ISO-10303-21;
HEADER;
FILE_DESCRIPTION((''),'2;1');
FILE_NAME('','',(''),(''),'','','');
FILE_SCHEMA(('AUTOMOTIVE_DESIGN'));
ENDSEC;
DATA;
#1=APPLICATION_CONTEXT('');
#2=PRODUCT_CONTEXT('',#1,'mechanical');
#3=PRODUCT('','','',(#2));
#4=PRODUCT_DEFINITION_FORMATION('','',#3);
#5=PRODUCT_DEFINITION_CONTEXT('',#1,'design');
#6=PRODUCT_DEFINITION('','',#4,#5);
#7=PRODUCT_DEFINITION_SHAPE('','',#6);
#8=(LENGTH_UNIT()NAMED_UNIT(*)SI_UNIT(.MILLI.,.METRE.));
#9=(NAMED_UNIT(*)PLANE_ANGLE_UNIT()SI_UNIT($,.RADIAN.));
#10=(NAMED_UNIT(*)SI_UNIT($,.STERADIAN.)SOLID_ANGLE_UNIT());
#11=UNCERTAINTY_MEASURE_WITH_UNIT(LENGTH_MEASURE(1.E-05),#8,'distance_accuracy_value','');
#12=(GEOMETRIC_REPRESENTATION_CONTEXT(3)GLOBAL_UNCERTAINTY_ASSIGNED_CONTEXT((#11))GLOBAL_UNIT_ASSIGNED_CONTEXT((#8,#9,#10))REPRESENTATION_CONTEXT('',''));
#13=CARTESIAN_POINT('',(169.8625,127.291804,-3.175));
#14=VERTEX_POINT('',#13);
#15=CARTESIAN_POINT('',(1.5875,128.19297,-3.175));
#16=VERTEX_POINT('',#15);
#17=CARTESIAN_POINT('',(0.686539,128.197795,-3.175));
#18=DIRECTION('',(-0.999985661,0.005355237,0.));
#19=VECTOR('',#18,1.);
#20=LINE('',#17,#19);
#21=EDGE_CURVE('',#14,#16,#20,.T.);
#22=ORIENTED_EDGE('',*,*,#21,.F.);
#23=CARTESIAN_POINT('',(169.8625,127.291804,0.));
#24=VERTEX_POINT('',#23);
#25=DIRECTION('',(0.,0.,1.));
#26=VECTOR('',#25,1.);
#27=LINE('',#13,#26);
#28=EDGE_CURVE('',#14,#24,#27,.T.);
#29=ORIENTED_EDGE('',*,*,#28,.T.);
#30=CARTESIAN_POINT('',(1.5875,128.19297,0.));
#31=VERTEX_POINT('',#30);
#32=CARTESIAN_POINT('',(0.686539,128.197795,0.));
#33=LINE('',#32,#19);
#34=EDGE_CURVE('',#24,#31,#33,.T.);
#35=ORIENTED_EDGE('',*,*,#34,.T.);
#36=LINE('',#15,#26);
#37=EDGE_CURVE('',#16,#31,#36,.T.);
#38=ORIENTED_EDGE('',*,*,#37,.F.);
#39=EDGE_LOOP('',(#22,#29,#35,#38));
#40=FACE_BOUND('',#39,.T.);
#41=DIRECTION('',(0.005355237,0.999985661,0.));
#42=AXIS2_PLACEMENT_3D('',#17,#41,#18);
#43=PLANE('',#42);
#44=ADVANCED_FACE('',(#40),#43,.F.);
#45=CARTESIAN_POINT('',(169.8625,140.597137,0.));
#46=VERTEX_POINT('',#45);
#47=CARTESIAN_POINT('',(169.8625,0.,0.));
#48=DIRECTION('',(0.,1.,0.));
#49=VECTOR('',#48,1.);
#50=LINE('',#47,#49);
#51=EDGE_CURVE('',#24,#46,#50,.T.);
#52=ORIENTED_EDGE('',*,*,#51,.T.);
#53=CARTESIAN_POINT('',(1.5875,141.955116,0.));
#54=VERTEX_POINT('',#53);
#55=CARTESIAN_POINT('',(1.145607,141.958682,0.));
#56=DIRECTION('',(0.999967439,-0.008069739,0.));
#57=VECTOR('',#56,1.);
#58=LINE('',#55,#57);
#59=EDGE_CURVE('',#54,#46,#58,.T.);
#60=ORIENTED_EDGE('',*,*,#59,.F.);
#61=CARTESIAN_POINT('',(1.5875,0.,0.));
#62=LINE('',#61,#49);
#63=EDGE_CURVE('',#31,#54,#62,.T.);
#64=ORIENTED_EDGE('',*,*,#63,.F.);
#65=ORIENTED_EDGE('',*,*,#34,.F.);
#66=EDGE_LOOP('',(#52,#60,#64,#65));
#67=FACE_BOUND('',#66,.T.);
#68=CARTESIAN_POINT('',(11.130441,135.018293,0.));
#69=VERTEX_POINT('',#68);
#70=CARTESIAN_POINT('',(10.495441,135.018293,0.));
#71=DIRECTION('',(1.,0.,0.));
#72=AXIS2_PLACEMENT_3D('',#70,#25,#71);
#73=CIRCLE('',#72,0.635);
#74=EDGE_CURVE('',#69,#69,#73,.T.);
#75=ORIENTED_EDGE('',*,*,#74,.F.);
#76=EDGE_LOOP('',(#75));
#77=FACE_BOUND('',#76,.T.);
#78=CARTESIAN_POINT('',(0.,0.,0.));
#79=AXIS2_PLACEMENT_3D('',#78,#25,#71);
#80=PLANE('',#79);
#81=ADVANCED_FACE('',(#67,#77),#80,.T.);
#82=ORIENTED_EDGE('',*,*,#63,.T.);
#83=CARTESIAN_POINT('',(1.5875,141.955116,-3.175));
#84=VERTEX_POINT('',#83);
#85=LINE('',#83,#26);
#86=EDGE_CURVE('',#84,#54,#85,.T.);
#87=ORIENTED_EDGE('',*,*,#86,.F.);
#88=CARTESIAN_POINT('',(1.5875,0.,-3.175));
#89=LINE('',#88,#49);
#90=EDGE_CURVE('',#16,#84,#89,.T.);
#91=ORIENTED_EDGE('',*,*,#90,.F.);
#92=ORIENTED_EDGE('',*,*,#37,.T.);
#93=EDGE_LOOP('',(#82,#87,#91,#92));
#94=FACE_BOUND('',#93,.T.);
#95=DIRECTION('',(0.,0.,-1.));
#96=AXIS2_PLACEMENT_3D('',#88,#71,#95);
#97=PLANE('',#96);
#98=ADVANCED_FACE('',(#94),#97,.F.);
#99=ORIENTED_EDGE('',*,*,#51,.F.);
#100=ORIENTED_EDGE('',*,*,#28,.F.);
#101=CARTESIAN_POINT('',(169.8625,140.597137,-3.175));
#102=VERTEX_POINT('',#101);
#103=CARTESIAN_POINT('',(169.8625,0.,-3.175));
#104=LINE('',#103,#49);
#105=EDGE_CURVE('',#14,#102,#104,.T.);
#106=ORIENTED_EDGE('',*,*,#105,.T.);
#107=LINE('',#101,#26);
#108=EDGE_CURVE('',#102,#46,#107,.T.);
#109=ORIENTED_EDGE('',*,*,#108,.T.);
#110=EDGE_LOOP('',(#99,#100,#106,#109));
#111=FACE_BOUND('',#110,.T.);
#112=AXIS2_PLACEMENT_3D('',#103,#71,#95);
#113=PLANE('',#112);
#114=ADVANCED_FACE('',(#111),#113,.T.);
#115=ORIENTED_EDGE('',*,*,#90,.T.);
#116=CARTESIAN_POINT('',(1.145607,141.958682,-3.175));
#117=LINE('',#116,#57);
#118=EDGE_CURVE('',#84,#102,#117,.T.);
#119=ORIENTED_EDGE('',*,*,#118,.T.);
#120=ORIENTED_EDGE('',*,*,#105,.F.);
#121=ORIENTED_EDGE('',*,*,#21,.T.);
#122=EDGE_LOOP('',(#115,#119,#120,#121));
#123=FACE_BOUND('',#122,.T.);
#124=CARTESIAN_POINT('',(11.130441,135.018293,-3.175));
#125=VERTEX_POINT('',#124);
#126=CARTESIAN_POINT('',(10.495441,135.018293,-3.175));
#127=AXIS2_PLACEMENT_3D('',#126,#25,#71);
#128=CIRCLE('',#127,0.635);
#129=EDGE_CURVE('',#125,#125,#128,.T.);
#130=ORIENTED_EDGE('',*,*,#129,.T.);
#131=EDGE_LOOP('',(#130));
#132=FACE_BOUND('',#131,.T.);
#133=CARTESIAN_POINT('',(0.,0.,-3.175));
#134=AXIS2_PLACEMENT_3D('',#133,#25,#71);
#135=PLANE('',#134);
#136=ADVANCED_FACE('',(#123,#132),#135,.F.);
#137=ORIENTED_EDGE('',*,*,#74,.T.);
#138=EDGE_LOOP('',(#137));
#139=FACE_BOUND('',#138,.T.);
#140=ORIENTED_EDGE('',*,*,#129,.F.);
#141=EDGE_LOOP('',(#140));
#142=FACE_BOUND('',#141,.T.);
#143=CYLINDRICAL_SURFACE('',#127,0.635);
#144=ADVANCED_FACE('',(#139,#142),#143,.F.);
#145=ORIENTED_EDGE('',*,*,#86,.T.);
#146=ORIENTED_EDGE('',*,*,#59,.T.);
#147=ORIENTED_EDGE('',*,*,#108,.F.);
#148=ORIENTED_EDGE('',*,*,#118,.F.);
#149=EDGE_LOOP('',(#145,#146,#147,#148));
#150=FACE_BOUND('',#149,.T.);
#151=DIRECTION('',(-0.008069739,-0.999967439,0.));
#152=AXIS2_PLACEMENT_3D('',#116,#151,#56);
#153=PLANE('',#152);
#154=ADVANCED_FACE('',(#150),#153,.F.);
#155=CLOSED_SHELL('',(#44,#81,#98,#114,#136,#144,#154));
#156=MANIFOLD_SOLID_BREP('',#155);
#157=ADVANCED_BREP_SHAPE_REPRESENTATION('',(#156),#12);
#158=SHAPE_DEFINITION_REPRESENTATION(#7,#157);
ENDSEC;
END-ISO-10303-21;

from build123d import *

# Parameters (mm, degrees)
SKETCH1_R           = 0.635
BOSS_EXTRUDE1_DEPTH = 3.175


with BuildPart() as part:
    # Sketch1 → Boss-Extrude1 (new body)
    with BuildSketch(Plane.XY):
        Polygon((1.5875, 128.192969627), (1.5875, 141.955116052), (169.8625, 140.597136541), (169.8625, 127.291804233), align=None)
        with Locations((10.495441348, 135.01829257)):
            Circle(SKETCH1_R, mode=Mode.SUBTRACT)
    extrude(amount=-BOSS_EXTRUDE1_DEPTH)


solid = part.part
